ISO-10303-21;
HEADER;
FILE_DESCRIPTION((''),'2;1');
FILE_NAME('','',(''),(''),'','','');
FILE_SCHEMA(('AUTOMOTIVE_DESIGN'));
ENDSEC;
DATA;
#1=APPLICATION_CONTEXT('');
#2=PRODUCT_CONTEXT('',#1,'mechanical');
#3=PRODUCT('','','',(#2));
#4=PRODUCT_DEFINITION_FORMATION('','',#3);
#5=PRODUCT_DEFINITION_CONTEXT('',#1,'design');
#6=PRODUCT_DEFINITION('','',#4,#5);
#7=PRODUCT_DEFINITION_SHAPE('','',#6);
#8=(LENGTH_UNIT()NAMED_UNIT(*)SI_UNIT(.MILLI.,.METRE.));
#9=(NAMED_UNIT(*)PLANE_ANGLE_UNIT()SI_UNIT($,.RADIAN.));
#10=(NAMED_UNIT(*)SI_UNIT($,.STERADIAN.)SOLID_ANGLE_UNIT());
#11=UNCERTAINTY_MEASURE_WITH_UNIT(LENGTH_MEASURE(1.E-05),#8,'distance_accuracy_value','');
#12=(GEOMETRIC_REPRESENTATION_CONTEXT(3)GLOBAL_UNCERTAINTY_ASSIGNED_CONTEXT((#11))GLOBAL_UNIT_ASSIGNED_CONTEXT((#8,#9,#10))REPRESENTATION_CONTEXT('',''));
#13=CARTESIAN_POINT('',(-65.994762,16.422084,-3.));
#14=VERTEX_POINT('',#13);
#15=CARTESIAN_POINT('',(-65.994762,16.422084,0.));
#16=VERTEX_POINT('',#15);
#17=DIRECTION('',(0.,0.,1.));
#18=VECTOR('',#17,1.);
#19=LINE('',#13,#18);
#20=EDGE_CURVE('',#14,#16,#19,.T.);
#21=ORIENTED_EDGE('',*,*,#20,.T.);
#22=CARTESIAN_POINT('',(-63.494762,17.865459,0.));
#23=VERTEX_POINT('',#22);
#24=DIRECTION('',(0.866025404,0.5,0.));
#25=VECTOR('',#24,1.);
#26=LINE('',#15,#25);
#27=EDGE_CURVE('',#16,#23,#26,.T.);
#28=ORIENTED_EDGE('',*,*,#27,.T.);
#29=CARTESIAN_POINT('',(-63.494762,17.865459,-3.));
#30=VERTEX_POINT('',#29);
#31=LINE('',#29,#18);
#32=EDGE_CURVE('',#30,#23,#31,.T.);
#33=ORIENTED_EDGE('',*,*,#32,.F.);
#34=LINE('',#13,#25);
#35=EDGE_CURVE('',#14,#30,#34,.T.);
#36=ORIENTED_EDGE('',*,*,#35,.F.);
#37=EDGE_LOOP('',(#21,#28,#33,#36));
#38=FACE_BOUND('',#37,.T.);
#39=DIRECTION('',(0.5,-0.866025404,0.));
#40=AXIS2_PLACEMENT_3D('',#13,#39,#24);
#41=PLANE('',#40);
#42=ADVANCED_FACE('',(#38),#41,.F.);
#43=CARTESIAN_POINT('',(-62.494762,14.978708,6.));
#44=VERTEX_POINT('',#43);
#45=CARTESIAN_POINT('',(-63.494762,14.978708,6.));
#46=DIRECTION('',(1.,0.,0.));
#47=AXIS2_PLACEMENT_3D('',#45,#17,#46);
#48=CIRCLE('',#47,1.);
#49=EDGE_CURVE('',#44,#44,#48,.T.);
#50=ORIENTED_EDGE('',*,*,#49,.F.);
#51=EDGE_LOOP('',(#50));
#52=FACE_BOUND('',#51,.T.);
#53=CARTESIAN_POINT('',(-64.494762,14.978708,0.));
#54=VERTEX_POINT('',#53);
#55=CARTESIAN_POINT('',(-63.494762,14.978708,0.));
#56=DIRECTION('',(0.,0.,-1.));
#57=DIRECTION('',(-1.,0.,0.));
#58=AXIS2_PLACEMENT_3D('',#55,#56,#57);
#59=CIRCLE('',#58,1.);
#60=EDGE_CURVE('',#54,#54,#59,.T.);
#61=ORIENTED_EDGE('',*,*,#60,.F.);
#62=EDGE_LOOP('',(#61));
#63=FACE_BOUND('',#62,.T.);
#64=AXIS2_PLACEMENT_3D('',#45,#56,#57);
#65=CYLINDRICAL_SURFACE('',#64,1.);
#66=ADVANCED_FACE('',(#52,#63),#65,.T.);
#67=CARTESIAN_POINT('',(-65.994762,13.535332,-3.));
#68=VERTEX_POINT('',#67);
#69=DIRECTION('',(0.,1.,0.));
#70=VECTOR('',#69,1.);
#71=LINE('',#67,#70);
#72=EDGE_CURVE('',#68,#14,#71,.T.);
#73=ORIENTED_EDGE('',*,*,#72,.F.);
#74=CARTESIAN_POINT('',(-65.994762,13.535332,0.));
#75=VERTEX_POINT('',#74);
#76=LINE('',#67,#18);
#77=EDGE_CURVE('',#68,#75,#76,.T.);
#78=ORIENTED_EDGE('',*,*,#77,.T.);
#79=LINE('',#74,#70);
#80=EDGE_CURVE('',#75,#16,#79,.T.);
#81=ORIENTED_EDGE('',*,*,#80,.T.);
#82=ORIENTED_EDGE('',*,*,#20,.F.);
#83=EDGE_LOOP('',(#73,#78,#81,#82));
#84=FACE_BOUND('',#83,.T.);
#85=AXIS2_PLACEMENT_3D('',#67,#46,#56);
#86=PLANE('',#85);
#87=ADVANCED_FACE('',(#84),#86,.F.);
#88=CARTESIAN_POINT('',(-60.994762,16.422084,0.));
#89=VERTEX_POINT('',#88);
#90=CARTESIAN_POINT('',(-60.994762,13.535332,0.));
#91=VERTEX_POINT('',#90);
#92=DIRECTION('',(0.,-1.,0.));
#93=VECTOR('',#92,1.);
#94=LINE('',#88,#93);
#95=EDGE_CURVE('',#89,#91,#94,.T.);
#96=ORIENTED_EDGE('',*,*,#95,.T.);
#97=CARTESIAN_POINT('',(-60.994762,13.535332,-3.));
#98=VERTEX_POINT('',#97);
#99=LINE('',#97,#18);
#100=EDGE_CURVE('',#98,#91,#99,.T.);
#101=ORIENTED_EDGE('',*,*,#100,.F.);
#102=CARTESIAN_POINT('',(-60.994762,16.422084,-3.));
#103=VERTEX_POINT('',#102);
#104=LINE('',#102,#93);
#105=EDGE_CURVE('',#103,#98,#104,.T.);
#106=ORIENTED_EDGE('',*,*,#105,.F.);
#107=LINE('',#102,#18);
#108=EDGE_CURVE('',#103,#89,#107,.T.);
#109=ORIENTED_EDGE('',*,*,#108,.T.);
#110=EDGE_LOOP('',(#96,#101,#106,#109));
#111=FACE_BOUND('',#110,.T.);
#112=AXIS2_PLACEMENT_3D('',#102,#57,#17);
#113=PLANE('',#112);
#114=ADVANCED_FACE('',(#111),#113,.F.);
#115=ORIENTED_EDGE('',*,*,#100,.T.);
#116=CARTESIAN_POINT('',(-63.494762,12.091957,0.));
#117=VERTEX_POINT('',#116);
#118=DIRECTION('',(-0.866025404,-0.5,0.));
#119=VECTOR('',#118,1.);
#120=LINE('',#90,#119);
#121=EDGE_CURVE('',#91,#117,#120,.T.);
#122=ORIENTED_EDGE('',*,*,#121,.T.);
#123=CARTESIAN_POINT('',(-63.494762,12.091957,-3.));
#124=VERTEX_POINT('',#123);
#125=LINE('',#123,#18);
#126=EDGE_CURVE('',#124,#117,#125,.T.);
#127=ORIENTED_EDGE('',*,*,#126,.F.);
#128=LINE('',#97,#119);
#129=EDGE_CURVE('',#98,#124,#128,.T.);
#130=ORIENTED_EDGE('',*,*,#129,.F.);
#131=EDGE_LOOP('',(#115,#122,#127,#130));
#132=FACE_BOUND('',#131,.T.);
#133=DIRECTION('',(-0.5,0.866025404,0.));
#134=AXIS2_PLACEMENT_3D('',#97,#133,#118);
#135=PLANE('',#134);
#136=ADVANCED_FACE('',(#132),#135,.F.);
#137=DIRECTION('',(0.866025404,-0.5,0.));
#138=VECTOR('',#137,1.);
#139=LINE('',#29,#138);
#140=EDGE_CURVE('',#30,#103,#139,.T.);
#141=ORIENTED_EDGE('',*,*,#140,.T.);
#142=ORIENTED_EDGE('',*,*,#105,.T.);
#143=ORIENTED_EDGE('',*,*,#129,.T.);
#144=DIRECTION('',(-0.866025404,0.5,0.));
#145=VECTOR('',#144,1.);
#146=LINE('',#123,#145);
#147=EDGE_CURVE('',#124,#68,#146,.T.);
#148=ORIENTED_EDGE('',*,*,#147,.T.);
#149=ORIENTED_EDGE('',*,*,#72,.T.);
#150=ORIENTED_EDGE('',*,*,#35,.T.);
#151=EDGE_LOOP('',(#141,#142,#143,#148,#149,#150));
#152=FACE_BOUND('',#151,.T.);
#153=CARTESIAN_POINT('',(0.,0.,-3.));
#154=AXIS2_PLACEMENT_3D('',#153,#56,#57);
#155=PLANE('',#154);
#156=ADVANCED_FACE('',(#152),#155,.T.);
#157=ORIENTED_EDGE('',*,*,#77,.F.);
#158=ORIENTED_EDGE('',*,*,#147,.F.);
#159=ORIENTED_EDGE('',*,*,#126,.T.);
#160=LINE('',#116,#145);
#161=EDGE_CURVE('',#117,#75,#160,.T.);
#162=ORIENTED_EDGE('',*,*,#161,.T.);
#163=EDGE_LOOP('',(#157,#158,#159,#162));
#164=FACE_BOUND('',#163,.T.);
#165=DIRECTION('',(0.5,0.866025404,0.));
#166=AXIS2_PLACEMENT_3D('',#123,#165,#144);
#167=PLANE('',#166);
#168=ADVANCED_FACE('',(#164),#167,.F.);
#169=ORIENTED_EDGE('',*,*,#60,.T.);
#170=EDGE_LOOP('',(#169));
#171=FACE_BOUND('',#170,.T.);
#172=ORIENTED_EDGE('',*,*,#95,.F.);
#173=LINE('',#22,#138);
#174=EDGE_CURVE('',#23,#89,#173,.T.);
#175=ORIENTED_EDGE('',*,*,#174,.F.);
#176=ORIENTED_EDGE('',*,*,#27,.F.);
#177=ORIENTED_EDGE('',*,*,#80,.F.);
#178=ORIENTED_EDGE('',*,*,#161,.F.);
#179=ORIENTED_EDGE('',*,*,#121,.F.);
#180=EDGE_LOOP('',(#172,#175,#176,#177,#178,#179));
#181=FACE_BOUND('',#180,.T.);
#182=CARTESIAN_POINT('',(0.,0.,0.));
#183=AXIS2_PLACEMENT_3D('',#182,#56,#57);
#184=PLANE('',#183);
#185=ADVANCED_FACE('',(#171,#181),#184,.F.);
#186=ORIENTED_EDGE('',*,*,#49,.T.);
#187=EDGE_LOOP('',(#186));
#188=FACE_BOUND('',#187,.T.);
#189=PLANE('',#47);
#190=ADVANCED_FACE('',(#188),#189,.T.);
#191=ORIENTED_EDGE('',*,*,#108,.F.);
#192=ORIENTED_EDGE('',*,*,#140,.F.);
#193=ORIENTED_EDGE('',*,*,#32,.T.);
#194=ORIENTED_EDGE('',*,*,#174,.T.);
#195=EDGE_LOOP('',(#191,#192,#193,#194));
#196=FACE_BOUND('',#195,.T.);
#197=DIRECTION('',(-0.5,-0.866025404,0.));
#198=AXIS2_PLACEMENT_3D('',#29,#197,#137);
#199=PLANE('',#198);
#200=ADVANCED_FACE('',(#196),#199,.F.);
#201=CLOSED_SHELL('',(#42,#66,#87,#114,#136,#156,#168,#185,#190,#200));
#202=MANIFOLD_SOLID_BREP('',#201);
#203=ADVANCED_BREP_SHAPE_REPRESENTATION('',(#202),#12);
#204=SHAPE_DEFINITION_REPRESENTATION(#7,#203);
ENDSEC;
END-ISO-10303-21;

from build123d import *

# Parameters (mm, degrees)
SKETCH1_R           = 1
BOSS_EXTRUDE1_DEPTH = 6
BOSS_EXTRUDE2_DEPTH = 3


with BuildPart() as part:
    # Sketch1 → Boss-Extrude1 (new body)
    with BuildSketch(Plane.XY):
        with Locations((-63.49476159, 14.978708134)):
            Circle(SKETCH1_R)
    extrude(amount=BOSS_EXTRUDE1_DEPTH)

    # Sketch2 → Boss-Extrude2 (add)
    with BuildSketch(Plane(origin=(0, 0, 0), x_dir=(-1, 0, 0), z_dir=(0, 0, -1))):
        Polygon((63.49476159, 12.091956788), (65.99476159, 13.535332461), (65.99476159, 16.422083807), (63.49476159, 17.86545948), (60.99476159, 16.422083807), (60.99476159, 13.535332461), align=None)
    extrude(amount=BOSS_EXTRUDE2_DEPTH)


solid = part.part
